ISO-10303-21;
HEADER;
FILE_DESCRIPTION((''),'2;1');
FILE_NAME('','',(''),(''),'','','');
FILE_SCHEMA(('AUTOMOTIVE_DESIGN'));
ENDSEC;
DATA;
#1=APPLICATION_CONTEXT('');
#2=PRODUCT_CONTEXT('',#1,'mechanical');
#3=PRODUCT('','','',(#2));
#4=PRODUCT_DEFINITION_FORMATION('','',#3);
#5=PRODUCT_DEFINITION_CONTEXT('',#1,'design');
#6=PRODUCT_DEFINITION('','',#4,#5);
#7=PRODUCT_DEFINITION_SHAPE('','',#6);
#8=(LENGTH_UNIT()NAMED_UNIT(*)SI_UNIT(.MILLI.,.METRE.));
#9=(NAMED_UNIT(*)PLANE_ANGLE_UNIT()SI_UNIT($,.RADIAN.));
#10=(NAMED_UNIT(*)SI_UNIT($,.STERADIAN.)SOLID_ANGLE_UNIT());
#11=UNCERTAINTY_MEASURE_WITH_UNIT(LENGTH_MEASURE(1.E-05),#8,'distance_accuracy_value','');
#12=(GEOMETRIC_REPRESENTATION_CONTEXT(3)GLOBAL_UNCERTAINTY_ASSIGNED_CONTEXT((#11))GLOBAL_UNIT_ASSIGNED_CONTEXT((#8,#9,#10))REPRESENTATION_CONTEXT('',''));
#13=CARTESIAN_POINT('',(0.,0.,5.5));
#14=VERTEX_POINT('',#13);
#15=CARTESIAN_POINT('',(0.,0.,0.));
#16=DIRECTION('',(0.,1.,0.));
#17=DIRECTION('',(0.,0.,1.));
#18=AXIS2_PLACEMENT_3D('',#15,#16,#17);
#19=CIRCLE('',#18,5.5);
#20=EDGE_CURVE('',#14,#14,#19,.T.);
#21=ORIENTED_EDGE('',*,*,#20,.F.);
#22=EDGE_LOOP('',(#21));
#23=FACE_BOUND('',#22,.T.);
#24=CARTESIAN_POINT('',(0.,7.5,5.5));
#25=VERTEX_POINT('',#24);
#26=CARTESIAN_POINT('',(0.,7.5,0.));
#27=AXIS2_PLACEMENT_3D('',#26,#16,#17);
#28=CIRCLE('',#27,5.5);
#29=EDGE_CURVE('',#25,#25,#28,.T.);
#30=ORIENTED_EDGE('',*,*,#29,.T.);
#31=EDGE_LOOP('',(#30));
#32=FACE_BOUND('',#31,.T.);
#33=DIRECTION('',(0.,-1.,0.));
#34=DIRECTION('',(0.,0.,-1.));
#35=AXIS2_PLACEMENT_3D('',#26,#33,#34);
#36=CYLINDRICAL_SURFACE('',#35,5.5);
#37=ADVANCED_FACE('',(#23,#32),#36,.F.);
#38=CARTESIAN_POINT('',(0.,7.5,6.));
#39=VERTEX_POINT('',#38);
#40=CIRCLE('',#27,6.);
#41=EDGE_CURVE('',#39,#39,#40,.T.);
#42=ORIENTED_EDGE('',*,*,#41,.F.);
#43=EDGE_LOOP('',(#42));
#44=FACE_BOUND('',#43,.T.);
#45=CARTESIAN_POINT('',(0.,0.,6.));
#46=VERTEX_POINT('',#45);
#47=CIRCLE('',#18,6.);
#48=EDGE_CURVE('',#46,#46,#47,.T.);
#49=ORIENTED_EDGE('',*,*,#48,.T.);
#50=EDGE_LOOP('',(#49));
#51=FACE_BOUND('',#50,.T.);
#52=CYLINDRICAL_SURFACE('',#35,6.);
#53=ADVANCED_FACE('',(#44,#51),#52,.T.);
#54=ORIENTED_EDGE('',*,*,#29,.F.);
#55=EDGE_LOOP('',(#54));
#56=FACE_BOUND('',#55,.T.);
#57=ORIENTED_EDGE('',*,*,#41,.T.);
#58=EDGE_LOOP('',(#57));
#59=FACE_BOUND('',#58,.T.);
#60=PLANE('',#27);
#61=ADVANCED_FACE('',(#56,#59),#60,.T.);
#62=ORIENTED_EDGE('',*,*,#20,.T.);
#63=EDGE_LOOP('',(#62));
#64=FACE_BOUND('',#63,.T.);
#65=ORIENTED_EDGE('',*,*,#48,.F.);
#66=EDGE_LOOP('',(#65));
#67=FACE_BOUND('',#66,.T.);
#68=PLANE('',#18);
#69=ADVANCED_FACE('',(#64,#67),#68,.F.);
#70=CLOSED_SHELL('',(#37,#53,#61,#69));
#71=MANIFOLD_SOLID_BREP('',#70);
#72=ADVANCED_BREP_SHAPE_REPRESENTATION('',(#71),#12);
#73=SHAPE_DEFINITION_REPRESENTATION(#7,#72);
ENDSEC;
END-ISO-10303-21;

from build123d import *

# Parameters (mm, degrees)
SKETCH_1_R      = 6
SKETCH_1_R_2    = 5.5
EXTRUDE_1_DEPTH = 7.5


with BuildPart() as part:
    # 草图1 → 凸台-拉伸1 (new body)
    with BuildSketch(Plane(origin=(0, 0, 0), x_dir=(1, 0, 0), z_dir=(0, 1, 0))):
        Circle(SKETCH_1_R)
        Circle(SKETCH_1_R_2, mode=Mode.SUBTRACT)
    extrude(amount=EXTRUDE_1_DEPTH)


solid = part.part
